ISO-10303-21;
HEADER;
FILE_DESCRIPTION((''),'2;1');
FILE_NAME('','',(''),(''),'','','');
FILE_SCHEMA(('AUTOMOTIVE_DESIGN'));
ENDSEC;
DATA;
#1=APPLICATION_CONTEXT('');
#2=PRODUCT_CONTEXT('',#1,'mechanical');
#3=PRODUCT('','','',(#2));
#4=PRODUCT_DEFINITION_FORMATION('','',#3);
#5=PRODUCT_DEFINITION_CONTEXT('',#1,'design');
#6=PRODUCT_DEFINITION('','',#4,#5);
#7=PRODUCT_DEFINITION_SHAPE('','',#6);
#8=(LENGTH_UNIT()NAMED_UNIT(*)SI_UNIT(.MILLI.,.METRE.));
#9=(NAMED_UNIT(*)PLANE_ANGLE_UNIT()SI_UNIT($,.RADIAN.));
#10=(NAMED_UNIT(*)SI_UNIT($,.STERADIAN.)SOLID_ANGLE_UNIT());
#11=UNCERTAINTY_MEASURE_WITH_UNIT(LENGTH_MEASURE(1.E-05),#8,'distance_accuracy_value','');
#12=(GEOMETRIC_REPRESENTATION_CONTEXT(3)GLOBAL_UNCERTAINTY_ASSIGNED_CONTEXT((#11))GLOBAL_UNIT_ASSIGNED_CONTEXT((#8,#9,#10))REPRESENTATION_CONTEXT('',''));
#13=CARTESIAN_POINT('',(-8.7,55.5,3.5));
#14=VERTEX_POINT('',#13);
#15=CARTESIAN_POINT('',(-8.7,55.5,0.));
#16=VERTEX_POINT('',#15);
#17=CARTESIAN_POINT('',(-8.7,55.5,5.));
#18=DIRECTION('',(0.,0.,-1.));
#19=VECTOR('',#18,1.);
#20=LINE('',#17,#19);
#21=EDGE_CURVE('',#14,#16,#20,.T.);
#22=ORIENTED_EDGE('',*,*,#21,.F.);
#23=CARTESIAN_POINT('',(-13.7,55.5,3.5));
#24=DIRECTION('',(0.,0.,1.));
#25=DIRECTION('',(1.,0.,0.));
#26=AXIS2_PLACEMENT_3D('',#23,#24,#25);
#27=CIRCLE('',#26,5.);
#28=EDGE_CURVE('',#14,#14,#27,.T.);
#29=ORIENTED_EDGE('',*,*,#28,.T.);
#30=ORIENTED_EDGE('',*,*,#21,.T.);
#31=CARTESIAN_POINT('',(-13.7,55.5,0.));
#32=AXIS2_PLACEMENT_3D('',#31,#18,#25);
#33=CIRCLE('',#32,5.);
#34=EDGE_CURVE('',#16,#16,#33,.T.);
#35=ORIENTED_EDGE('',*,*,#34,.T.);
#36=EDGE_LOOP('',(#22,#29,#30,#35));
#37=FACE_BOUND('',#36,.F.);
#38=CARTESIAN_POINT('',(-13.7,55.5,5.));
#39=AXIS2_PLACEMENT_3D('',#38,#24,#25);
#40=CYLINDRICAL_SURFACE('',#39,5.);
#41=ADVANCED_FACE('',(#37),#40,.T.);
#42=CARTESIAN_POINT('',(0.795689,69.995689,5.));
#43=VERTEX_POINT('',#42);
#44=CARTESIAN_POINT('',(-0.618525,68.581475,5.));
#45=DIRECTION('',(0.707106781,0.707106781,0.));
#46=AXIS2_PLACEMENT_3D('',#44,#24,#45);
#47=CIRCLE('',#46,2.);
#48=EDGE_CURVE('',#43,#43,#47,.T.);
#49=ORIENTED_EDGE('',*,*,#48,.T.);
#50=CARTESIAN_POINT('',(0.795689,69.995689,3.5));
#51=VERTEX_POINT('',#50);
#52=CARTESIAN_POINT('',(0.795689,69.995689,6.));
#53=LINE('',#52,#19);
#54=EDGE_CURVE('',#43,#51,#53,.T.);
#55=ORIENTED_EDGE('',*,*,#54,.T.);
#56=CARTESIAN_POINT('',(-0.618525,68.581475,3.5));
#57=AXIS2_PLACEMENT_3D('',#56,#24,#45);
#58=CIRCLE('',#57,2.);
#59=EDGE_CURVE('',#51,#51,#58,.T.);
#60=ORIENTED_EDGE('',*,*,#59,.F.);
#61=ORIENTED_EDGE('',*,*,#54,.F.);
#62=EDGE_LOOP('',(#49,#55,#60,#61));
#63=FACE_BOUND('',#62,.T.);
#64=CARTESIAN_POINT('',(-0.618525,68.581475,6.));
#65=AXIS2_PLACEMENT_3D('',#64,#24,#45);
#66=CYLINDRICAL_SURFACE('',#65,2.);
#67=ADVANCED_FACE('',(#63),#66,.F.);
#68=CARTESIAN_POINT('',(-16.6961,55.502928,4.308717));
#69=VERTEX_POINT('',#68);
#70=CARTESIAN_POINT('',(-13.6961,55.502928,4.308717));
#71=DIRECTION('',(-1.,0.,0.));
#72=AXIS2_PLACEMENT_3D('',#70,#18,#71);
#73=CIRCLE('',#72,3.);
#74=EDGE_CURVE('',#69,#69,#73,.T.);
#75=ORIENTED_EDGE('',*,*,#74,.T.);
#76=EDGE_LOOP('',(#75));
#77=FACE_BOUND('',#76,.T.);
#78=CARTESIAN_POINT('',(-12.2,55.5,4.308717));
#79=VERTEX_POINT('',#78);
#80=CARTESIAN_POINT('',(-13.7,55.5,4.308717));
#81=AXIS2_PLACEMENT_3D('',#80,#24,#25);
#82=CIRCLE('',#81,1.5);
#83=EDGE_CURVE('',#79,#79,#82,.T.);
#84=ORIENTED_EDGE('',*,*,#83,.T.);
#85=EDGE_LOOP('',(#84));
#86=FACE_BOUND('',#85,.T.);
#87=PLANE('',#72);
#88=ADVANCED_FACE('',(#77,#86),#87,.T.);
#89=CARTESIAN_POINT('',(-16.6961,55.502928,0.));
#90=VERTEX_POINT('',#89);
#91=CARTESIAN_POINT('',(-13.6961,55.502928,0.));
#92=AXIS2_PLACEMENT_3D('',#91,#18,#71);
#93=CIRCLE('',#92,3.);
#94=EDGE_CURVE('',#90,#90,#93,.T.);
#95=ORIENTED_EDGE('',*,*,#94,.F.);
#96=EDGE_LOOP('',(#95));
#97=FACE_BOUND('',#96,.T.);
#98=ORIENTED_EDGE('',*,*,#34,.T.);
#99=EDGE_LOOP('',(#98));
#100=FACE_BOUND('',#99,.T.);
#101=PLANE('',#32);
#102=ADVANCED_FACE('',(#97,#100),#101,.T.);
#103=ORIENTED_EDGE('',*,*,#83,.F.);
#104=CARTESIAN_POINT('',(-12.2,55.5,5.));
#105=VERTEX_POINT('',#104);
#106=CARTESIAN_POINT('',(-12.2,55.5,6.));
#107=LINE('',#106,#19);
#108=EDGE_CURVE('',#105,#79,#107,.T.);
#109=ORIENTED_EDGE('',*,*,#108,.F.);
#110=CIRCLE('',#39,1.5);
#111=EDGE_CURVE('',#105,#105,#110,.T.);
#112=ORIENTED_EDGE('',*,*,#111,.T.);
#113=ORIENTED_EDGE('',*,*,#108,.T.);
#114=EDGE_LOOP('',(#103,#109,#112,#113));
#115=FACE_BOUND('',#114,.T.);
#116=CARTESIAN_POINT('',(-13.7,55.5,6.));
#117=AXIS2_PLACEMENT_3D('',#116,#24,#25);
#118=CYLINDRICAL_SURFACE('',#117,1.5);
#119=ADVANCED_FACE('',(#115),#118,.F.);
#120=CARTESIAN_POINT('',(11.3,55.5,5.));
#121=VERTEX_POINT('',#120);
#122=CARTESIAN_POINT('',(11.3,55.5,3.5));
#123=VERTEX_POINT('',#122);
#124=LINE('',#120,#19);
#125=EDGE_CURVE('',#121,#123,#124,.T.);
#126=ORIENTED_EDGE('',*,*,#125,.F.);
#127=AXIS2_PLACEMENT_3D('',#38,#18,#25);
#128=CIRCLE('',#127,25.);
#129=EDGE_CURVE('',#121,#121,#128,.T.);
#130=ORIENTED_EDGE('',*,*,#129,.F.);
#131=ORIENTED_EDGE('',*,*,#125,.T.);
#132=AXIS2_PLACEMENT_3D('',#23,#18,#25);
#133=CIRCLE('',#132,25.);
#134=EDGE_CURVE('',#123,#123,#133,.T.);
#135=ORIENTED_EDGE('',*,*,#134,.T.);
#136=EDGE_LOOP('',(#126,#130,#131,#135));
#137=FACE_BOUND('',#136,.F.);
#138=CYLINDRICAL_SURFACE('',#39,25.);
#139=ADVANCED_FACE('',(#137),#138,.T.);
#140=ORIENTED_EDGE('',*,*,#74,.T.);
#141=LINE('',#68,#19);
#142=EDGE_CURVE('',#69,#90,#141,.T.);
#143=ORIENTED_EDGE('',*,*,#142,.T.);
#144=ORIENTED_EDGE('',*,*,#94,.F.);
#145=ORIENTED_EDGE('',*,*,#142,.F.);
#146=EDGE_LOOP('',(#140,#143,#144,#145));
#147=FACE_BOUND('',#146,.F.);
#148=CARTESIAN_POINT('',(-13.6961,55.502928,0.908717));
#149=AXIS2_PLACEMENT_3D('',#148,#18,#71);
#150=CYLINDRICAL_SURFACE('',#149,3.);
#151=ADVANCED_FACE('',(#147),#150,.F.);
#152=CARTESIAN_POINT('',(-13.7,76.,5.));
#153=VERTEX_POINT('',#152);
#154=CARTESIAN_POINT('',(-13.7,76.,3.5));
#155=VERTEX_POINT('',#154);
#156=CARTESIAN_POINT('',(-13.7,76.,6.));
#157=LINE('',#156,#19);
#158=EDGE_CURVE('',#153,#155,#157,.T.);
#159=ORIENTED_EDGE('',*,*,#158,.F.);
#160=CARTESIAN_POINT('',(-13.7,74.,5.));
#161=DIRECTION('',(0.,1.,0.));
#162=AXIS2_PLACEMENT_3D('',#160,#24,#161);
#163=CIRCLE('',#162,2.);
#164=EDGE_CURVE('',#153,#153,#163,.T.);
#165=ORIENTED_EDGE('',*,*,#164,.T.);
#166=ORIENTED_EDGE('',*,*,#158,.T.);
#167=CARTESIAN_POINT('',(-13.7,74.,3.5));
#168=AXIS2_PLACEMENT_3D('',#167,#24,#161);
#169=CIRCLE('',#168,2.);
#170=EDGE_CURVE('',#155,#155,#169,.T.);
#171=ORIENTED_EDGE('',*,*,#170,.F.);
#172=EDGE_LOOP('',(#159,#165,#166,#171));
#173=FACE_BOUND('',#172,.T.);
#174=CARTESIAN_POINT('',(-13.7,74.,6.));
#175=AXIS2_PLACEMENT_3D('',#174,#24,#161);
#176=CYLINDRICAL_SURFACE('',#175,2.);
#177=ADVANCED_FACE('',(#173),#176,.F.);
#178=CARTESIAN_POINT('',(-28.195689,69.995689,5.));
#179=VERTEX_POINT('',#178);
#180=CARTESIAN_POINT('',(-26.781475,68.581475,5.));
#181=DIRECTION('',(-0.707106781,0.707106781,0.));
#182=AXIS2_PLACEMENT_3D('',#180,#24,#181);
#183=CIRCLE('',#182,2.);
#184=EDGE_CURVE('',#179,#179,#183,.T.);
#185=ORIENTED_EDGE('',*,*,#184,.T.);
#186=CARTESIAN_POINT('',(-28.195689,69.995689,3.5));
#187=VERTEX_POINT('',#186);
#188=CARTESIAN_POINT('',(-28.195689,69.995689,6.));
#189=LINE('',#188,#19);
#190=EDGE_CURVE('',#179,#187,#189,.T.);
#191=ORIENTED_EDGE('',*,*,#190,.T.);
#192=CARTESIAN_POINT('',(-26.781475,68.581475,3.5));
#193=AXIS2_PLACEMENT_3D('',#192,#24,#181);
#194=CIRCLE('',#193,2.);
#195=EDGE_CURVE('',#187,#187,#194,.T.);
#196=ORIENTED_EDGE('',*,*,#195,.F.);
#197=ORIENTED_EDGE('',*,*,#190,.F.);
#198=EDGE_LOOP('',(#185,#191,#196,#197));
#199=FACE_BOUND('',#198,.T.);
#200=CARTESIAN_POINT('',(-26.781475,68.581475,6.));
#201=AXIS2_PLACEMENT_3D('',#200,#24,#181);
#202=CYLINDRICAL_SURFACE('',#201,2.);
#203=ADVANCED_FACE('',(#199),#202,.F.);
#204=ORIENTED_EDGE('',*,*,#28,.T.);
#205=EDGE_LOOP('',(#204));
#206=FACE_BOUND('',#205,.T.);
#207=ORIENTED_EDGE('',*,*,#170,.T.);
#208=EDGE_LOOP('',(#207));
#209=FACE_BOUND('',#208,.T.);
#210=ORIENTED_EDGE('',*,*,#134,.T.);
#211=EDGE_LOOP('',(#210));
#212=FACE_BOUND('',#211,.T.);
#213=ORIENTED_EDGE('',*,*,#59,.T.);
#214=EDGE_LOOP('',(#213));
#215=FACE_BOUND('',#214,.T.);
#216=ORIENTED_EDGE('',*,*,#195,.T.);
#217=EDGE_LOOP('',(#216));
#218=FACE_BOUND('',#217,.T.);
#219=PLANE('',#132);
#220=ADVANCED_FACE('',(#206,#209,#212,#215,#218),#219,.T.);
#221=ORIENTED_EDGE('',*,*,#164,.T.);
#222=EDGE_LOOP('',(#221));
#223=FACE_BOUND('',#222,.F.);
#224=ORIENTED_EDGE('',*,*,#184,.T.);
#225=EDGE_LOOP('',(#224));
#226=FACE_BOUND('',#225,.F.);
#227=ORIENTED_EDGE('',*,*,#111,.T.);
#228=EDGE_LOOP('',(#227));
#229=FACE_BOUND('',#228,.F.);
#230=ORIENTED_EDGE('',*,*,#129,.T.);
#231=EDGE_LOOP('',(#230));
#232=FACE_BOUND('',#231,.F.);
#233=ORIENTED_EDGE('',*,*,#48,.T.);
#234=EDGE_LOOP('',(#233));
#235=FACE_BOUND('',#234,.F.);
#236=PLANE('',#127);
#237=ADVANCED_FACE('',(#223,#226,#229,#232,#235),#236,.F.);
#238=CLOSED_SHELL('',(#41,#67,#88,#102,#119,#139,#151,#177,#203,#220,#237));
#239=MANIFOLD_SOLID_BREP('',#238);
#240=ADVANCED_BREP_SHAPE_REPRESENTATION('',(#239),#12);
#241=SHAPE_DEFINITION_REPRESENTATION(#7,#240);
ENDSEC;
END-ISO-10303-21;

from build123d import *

# Parameters (mm, degrees)
SKETCH002_R                 = 3
EXTRUDE002_DEPTH            = 4
EXTRUDE002_DEPTH_BACK       = 3.4
CYLINDER049_R               = 1.5
CYLINDER049_DEPTH           = 19
CYLINDER014_R               = 2
CYLINDER014_DEPTH           = 1
CYLINDER014_PLACEMENT_ANGLE = 45
CYLINDER015_R               = 2
CYLINDER015_DEPTH           = 1
CYLINDER016_R               = 2
CYLINDER016_DEPTH           = 1
CYLINDER016_PLACEMENT_ANGLE = 135
CYLINDER017_R               = 2
CYLINDER017_DEPTH           = 1
CYLINDER018_R               = 2
CYLINDER018_DEPTH           = 5
CYLINDER018_PLACEMENT_ANGLE = 225
CYLINDER019_R               = 2
CYLINDER019_DEPTH           = 5
CYLINDER020_R               = 2
CYLINDER020_DEPTH           = 5
CYLINDER020_PLACEMENT_ANGLE = 45
CYLINDER013_R               = 2
CYLINDER013_DEPTH           = 1
CYLINDER021_R               = 5
CYLINDER021_DEPTH           = 5
CYLINDER012_R               = 25
CYLINDER012_DEPTH           = 1.5
CUT050_PLACEMENT_ANGLE      = 180


with BuildPart() as extrude002:
    # Sketch002 (on Face25 of Shape005) → Extrude002 (new body, two sides)
    with BuildSketch(Plane(origin=(85.664098, -4.553146, 1.091283), x_dir=(-1, 0, 0), z_dir=(0, 0, 1))) as extrude002_sk:
        with Locations((9.450198, -0.000218)):
            Circle(SKETCH002_R)
    extrude(amount=EXTRUDE002_DEPTH)
    extrude(extrude002_sk.sketch, amount=-EXTRUDE002_DEPTH_BACK)


with BuildPart() as extrude002_1:
    # Extrude002 placement: moved
    add(extrude002.part.moved(Location((-76.21, 4.55, 3))))


with BuildPart() as cylinder049:
    # Cylinder049 → Cylinder049 (new body)
    with BuildSketch(Plane.XY.offset(-1)):
        Circle(CYLINDER049_R)
    extrude(amount=CYLINDER049_DEPTH)


with BuildPart() as cylinder014:
    # cylinder014 → cylinder014 (new body)
    with BuildSketch(Plane.XY):
        Circle(CYLINDER014_R)
    extrude(amount=CYLINDER014_DEPTH)


with BuildPart() as cylinder014_1:
    # cylinder014 placement: moved
    add(cylinder014.part.moved(Location((13.081475, 13.081475, 0))).rotate(Axis((13.081475, 13.081475, 0), (0, 0, 1)), CYLINDER014_PLACEMENT_ANGLE))


with BuildPart() as cylinder015:
    # cylinder015 → cylinder015 (new body)
    with BuildSketch(Plane(origin=(0, 18.5, 0), x_dir=(0, 1, 0), z_dir=(0, 0, 1))):
        Circle(CYLINDER015_R)
    extrude(amount=CYLINDER015_DEPTH)


with BuildPart() as cylinder016:
    # cylinder016 → cylinder016 (new body)
    with BuildSketch(Plane.XY):
        Circle(CYLINDER016_R)
    extrude(amount=CYLINDER016_DEPTH)


with BuildPart() as cylinder016_1:
    # cylinder016 placement: moved
    add(cylinder016.part.moved(Location((-13.081475, 13.081475, 0))).rotate(Axis((-13.081475, 13.081475, 0), (0, 0, 1)), CYLINDER016_PLACEMENT_ANGLE))


with BuildPart() as cylinder017:
    # cylinder017 → cylinder017 (new body)
    with BuildSketch(Plane(origin=(-18.5, 0, 0), x_dir=(-1, 0, 0), z_dir=(0, 0, 1))):
        Circle(CYLINDER017_R)
    extrude(amount=CYLINDER017_DEPTH)


with BuildPart() as cylinder018:
    # cylinder018 → cylinder018 (new body)
    with BuildSketch(Plane.XY):
        Circle(CYLINDER018_R)
    extrude(amount=CYLINDER018_DEPTH)


with BuildPart() as cylinder018_1:
    # cylinder018 placement: moved
    add(cylinder018.part.moved(Location((-13.081475, -13.081475, 0))).rotate(Axis((-13.081475, -13.081475, 0), (0, 0, 1)), CYLINDER018_PLACEMENT_ANGLE))


with BuildPart() as cylinder019:
    # cylinder019 → cylinder019 (new body)
    with BuildSketch(Plane(origin=(0, -18.5, 0), x_dir=(0, -1, 0), z_dir=(0, 0, 1))):
        Circle(CYLINDER019_R)
    extrude(amount=CYLINDER019_DEPTH)


with BuildPart() as cylinder020:
    # cylinder020 → cylinder020 (new body)
    with BuildSketch(Plane.XY):
        Circle(CYLINDER020_R)
    extrude(amount=CYLINDER020_DEPTH)


with BuildPart() as cylinder020_1:
    # cylinder020 placement: moved
    add(cylinder020.part.moved(Location((13.081475, -13.081475, 0))).rotate(Axis((13.081475, -13.081475, 0), (0, 0, -1)), CYLINDER020_PLACEMENT_ANGLE))


with BuildPart() as fusion026:
    # cylinder013 → cylinder013 (new body)
    with BuildSketch(Plane(origin=(18.5, 0, 0), x_dir=(1, 0, 0), z_dir=(0, 0, 1))):
        Circle(CYLINDER013_R)
    extrude(amount=CYLINDER013_DEPTH)

    # Group001: union cylinder014, cylinder015, cylinder016, cylinder017, cylinder018, cylinder019, cylinder020
    add(cylinder014_1.part)
    add(cylinder015.part)
    add(cylinder016_1.part)
    add(cylinder017.part)
    add(cylinder018_1.part)
    add(cylinder019.part)
    add(cylinder020_1.part)


with BuildPart() as fusion026_1:
    # Group001 placement: moved
    add(fusion026.part.moved(Location((0, 0, -1))))

    # Fusion026: union Extrude002, Cylinder049
    add(extrude002_1.part)
    add(cylinder049.part)


with BuildPart() as servo_central_shaft002:
    # cylinder021 → cylinder021 (new body)
    with BuildSketch(Plane.XY):
        Circle(CYLINDER021_R)
    extrude(amount=CYLINDER021_DEPTH)


with BuildPart() as rotor:
    # cylinder012 → cylinder012 (new body)
    with BuildSketch(Plane.XY):
        Circle(CYLINDER012_R)
    extrude(amount=CYLINDER012_DEPTH)

    # Fusion027: union servo_central_shaft002
    add(servo_central_shaft002.part)

    # Cut050: cut Fusion026
    add(fusion026_1.part, mode=Mode.SUBTRACT)


with BuildPart() as rotor_1:
    # Cut050 placement: moved
    add(rotor.part.moved(Location((-13.7, 55.5, 5))).rotate(Axis((-13.7, 55.5, 5), (1, 0, 0)), CUT050_PLACEMENT_ANGLE))


solid = rotor_1.part
